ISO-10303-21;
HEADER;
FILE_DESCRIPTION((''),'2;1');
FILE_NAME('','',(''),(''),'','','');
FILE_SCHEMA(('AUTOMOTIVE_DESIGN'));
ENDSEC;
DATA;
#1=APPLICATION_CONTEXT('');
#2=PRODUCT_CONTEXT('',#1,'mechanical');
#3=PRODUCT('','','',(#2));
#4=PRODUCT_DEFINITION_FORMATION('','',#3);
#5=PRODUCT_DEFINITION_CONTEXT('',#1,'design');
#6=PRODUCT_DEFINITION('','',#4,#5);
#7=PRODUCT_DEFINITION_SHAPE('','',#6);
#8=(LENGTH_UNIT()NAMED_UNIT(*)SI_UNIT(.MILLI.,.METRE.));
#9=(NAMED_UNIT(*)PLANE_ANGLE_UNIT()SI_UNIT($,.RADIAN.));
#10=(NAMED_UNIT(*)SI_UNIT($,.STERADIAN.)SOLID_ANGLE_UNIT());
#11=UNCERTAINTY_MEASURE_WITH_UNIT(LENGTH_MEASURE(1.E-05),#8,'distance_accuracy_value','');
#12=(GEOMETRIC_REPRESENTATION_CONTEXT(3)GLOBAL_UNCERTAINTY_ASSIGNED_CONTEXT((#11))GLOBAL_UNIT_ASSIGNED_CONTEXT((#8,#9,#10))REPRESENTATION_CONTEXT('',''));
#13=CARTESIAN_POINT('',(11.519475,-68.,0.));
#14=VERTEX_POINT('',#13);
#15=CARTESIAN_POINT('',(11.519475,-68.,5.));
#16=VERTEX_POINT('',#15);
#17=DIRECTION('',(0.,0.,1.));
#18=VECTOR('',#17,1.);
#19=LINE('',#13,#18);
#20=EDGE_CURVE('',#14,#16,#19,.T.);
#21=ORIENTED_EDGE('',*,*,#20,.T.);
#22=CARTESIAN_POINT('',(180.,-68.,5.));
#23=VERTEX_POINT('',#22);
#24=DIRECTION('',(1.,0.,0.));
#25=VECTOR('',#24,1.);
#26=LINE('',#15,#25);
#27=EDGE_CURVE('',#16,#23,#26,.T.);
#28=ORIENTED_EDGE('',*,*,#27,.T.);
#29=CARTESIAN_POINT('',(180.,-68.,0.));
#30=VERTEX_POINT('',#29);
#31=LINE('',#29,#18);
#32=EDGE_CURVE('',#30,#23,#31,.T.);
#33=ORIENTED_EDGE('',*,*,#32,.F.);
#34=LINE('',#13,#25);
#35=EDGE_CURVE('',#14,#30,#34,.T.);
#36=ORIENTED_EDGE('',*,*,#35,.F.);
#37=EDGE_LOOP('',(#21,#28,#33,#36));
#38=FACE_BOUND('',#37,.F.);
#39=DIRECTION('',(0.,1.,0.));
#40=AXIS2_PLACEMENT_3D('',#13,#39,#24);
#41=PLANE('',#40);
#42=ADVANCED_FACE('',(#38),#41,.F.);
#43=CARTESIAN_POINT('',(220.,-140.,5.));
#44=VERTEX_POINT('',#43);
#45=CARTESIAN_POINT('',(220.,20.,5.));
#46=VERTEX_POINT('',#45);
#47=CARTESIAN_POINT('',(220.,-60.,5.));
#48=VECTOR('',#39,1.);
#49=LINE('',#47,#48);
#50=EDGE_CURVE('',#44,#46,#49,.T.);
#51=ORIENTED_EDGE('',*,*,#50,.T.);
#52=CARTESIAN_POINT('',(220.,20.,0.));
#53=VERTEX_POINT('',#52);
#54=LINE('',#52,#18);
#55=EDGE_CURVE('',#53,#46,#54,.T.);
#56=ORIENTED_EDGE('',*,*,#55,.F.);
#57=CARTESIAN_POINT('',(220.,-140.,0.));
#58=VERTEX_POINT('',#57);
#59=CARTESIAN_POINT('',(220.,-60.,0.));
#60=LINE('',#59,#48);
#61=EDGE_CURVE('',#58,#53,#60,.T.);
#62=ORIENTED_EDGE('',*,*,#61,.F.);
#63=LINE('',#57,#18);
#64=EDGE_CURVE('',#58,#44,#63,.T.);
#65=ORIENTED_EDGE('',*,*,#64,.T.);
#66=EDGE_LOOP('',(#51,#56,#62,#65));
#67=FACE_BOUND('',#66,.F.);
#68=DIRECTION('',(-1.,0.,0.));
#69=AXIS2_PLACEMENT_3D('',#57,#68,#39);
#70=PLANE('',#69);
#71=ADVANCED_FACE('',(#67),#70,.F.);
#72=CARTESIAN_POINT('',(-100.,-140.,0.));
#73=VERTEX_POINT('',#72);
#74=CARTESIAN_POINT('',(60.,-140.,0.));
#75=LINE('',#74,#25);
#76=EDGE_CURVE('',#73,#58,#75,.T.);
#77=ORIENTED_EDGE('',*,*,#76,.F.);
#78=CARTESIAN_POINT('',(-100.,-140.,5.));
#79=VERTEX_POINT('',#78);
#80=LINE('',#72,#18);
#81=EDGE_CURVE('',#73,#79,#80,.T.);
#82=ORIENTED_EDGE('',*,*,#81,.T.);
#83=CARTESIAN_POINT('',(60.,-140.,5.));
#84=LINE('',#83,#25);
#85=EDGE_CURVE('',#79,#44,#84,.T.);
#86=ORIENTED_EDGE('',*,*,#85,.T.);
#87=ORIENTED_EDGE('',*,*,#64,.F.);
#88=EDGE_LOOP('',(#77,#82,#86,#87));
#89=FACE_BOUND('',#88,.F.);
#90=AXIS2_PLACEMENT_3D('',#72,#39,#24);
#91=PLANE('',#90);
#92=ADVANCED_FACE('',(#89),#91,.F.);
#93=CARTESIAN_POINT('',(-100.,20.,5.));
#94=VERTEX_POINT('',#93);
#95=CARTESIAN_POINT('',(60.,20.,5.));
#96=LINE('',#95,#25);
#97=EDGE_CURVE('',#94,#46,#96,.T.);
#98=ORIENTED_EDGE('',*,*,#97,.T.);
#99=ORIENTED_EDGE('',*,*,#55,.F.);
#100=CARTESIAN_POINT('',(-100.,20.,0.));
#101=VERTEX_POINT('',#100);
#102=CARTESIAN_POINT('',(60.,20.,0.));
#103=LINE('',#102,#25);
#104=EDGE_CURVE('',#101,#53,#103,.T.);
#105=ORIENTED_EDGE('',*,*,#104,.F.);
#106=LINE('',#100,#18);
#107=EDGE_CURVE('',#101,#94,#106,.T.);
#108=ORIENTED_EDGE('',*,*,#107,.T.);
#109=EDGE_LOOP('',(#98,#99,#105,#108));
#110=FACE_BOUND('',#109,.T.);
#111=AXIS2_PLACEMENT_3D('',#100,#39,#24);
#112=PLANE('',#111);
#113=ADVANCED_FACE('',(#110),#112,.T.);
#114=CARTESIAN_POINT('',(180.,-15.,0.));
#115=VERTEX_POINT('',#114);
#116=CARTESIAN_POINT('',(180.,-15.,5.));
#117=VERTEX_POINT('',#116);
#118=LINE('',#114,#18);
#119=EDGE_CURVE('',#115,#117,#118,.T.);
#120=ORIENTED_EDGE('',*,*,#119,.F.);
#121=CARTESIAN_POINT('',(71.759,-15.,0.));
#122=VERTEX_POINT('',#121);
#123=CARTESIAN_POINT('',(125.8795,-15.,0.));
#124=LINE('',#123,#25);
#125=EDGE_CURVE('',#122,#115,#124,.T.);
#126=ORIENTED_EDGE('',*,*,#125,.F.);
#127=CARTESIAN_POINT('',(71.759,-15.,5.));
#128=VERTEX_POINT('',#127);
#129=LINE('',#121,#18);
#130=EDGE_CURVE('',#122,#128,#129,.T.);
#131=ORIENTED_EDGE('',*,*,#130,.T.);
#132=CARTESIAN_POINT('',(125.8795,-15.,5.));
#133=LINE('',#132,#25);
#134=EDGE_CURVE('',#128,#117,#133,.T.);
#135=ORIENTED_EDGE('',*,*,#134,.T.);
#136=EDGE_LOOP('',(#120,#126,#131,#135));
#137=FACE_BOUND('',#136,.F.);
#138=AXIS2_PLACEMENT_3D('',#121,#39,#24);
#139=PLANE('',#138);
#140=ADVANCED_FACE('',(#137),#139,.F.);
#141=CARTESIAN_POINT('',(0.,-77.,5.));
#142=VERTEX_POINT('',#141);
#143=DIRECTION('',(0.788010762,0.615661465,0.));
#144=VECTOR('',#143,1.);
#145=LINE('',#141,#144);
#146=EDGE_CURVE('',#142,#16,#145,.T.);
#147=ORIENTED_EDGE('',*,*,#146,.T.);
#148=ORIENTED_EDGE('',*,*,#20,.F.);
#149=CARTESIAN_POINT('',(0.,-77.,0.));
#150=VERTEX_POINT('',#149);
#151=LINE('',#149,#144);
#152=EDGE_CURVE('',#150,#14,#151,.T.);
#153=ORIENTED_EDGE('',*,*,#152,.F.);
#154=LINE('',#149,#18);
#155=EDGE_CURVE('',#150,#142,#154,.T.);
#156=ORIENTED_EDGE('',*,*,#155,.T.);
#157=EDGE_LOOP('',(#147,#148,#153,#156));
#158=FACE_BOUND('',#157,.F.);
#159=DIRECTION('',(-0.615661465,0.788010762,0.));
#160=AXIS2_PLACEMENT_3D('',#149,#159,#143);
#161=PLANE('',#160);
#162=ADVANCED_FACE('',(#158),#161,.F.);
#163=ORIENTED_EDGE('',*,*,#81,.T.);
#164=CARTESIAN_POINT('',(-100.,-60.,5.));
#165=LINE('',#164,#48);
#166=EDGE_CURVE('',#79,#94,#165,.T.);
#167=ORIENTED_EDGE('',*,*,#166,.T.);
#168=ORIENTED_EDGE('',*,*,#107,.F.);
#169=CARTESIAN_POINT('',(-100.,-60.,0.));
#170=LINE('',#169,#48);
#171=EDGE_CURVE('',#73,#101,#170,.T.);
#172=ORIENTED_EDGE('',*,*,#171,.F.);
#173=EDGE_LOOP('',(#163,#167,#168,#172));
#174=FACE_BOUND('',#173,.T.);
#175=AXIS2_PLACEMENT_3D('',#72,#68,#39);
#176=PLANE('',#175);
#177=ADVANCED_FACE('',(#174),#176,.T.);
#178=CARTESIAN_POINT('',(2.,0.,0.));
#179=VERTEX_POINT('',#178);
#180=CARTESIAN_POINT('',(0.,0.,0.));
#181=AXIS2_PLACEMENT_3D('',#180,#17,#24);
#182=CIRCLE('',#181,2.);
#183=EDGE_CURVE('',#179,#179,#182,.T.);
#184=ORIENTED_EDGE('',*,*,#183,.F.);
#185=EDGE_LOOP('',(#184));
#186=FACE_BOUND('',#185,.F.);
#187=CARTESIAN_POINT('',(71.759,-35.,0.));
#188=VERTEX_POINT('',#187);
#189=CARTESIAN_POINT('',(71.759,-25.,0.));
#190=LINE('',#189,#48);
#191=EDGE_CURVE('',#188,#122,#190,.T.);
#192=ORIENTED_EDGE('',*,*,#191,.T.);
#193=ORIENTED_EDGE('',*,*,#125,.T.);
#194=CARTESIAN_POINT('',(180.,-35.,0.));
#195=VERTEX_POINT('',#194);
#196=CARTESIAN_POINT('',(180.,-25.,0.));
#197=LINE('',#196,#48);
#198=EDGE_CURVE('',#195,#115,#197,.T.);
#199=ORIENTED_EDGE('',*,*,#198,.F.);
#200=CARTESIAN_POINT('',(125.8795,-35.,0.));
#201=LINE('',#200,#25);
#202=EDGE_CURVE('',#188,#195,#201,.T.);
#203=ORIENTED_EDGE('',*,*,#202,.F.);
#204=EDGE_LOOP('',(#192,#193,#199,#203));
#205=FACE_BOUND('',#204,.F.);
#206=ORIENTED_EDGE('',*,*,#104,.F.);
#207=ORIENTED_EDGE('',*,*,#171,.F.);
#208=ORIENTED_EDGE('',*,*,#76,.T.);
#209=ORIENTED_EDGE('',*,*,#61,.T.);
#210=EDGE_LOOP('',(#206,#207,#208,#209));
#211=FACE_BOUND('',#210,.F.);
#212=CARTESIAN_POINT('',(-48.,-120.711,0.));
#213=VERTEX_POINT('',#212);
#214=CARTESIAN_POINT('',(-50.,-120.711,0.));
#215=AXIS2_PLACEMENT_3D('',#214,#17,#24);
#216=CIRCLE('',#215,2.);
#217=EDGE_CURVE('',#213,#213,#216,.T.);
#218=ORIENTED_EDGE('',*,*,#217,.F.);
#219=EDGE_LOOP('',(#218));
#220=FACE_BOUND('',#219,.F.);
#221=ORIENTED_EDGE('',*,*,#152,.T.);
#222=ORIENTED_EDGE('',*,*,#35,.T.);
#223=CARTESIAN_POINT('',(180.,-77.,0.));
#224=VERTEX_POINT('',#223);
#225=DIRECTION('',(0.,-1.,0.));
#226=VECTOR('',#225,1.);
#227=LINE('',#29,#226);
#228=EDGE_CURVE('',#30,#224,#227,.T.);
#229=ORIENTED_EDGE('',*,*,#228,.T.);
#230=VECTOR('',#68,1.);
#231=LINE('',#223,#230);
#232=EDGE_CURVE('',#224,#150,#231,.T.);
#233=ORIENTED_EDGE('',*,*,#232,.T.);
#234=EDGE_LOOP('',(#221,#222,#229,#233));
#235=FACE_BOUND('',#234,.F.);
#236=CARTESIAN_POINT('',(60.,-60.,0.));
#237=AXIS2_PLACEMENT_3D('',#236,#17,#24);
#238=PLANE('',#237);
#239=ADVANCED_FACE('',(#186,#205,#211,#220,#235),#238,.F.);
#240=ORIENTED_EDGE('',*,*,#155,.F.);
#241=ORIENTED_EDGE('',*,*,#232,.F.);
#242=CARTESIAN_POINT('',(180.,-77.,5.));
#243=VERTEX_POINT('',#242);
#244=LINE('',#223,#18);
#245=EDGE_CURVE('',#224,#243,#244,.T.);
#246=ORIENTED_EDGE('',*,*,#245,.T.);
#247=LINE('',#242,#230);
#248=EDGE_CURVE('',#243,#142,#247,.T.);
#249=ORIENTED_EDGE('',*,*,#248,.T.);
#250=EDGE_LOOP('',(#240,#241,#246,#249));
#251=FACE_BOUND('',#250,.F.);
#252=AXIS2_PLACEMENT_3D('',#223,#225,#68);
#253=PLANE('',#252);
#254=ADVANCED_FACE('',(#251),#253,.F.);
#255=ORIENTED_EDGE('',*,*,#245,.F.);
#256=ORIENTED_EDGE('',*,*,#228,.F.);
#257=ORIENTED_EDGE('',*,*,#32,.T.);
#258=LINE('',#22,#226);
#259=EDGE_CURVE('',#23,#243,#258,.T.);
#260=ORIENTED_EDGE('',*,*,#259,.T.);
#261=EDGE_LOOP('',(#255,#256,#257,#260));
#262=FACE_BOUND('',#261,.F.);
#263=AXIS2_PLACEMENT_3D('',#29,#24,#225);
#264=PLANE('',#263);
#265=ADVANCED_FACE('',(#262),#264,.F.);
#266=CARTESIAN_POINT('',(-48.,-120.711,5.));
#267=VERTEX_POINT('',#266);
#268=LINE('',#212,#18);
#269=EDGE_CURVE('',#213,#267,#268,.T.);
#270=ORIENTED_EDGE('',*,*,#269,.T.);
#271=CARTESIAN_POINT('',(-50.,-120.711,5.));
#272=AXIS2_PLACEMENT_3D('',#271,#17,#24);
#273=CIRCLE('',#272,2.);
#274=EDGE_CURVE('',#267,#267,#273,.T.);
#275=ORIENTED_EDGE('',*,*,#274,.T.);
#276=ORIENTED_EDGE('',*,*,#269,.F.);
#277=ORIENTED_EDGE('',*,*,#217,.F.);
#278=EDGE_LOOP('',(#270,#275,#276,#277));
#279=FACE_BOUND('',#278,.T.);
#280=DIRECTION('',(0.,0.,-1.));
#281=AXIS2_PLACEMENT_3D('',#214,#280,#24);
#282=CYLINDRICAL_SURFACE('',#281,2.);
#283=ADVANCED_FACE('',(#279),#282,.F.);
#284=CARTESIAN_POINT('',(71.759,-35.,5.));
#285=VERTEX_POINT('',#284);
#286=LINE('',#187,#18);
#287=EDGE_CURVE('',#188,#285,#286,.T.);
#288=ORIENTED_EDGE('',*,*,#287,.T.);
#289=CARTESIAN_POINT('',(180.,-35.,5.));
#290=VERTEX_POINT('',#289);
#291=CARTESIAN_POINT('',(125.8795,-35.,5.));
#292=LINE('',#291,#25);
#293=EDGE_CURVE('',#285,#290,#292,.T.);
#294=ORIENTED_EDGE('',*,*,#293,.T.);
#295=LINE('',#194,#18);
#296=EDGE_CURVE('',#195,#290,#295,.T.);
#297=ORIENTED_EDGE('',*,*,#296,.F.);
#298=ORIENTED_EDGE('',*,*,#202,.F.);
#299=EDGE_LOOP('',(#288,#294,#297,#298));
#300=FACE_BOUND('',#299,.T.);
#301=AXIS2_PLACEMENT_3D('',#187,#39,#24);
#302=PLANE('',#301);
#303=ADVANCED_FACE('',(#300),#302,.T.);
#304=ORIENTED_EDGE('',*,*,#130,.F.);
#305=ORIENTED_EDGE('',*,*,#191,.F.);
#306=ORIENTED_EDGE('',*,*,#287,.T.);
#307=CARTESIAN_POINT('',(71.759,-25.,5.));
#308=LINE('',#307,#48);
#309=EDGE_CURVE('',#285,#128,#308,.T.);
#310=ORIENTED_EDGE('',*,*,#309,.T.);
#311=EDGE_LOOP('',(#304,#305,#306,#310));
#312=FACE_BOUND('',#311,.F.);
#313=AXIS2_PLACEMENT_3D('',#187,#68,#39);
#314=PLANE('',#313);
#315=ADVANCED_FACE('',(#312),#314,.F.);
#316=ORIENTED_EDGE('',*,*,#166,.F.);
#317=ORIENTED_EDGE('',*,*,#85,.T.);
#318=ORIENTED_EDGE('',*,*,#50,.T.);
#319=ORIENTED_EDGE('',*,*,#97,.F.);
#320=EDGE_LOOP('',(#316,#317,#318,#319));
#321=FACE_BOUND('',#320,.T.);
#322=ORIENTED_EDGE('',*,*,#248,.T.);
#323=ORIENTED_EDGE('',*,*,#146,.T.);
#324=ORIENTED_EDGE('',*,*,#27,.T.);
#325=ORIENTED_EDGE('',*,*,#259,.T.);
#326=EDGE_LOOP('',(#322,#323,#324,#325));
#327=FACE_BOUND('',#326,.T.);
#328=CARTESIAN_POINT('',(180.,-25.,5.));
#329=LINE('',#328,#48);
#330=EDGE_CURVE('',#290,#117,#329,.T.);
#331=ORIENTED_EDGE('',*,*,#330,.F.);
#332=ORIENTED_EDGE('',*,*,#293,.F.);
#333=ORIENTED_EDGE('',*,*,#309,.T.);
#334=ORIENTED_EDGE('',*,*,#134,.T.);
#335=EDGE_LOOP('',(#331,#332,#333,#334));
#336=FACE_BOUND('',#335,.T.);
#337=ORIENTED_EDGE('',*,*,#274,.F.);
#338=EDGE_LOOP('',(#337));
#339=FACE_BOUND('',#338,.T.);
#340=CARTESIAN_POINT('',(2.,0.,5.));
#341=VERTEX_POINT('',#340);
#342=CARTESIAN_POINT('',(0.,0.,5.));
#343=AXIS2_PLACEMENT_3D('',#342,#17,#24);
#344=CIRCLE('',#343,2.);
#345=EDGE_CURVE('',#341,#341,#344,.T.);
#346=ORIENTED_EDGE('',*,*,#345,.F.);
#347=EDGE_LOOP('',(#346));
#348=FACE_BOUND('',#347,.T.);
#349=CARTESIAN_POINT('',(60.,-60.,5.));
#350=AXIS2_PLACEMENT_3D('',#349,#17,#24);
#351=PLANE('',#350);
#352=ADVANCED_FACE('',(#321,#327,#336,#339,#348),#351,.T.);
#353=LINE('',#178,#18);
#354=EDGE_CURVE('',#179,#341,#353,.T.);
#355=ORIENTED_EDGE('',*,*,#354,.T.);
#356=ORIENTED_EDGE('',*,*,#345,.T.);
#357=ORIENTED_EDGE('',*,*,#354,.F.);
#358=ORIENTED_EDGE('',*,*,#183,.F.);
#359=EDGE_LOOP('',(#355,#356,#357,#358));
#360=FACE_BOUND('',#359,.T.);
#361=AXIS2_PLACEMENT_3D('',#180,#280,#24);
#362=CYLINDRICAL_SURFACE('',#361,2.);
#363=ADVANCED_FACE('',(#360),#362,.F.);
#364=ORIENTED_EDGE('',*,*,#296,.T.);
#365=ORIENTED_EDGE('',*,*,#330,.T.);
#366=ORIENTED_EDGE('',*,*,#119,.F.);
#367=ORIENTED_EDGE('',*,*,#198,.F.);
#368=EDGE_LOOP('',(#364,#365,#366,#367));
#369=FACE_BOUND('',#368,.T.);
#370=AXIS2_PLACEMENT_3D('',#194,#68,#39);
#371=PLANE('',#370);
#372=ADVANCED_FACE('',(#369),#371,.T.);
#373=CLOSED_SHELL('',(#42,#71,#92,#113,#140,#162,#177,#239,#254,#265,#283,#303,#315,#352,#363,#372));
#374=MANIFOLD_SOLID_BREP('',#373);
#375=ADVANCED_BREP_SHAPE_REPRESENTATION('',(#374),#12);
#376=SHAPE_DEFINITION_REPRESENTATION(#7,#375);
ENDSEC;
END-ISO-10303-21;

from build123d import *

# Parameters (mm, degrees)
F0_W     = 320
F0_H     = 160
F0_R     = 2
F0_W_2   = 108.241
F0_H_2   = 20
F1_DEPTH = 5


with BuildPart() as f1:
    # F0 (on Top) → F1 (new body)
    with BuildSketch(Plane.XY):
        with Locations((60, -60)):
            Rectangle(F0_W, F0_H)
        with Locations((-50, -120.711)):
            Circle(F0_R, mode=Mode.SUBTRACT)
        Polygon((180, -77), (0, -77), (11.519475, -68), (180, -68), align=None, mode=Mode.SUBTRACT)
        Circle(F0_R, mode=Mode.SUBTRACT)
        with Locations((125.8795, -25)):
            Rectangle(F0_W_2, F0_H_2, mode=Mode.SUBTRACT)
    extrude(amount=F1_DEPTH)


solid = f1.part
